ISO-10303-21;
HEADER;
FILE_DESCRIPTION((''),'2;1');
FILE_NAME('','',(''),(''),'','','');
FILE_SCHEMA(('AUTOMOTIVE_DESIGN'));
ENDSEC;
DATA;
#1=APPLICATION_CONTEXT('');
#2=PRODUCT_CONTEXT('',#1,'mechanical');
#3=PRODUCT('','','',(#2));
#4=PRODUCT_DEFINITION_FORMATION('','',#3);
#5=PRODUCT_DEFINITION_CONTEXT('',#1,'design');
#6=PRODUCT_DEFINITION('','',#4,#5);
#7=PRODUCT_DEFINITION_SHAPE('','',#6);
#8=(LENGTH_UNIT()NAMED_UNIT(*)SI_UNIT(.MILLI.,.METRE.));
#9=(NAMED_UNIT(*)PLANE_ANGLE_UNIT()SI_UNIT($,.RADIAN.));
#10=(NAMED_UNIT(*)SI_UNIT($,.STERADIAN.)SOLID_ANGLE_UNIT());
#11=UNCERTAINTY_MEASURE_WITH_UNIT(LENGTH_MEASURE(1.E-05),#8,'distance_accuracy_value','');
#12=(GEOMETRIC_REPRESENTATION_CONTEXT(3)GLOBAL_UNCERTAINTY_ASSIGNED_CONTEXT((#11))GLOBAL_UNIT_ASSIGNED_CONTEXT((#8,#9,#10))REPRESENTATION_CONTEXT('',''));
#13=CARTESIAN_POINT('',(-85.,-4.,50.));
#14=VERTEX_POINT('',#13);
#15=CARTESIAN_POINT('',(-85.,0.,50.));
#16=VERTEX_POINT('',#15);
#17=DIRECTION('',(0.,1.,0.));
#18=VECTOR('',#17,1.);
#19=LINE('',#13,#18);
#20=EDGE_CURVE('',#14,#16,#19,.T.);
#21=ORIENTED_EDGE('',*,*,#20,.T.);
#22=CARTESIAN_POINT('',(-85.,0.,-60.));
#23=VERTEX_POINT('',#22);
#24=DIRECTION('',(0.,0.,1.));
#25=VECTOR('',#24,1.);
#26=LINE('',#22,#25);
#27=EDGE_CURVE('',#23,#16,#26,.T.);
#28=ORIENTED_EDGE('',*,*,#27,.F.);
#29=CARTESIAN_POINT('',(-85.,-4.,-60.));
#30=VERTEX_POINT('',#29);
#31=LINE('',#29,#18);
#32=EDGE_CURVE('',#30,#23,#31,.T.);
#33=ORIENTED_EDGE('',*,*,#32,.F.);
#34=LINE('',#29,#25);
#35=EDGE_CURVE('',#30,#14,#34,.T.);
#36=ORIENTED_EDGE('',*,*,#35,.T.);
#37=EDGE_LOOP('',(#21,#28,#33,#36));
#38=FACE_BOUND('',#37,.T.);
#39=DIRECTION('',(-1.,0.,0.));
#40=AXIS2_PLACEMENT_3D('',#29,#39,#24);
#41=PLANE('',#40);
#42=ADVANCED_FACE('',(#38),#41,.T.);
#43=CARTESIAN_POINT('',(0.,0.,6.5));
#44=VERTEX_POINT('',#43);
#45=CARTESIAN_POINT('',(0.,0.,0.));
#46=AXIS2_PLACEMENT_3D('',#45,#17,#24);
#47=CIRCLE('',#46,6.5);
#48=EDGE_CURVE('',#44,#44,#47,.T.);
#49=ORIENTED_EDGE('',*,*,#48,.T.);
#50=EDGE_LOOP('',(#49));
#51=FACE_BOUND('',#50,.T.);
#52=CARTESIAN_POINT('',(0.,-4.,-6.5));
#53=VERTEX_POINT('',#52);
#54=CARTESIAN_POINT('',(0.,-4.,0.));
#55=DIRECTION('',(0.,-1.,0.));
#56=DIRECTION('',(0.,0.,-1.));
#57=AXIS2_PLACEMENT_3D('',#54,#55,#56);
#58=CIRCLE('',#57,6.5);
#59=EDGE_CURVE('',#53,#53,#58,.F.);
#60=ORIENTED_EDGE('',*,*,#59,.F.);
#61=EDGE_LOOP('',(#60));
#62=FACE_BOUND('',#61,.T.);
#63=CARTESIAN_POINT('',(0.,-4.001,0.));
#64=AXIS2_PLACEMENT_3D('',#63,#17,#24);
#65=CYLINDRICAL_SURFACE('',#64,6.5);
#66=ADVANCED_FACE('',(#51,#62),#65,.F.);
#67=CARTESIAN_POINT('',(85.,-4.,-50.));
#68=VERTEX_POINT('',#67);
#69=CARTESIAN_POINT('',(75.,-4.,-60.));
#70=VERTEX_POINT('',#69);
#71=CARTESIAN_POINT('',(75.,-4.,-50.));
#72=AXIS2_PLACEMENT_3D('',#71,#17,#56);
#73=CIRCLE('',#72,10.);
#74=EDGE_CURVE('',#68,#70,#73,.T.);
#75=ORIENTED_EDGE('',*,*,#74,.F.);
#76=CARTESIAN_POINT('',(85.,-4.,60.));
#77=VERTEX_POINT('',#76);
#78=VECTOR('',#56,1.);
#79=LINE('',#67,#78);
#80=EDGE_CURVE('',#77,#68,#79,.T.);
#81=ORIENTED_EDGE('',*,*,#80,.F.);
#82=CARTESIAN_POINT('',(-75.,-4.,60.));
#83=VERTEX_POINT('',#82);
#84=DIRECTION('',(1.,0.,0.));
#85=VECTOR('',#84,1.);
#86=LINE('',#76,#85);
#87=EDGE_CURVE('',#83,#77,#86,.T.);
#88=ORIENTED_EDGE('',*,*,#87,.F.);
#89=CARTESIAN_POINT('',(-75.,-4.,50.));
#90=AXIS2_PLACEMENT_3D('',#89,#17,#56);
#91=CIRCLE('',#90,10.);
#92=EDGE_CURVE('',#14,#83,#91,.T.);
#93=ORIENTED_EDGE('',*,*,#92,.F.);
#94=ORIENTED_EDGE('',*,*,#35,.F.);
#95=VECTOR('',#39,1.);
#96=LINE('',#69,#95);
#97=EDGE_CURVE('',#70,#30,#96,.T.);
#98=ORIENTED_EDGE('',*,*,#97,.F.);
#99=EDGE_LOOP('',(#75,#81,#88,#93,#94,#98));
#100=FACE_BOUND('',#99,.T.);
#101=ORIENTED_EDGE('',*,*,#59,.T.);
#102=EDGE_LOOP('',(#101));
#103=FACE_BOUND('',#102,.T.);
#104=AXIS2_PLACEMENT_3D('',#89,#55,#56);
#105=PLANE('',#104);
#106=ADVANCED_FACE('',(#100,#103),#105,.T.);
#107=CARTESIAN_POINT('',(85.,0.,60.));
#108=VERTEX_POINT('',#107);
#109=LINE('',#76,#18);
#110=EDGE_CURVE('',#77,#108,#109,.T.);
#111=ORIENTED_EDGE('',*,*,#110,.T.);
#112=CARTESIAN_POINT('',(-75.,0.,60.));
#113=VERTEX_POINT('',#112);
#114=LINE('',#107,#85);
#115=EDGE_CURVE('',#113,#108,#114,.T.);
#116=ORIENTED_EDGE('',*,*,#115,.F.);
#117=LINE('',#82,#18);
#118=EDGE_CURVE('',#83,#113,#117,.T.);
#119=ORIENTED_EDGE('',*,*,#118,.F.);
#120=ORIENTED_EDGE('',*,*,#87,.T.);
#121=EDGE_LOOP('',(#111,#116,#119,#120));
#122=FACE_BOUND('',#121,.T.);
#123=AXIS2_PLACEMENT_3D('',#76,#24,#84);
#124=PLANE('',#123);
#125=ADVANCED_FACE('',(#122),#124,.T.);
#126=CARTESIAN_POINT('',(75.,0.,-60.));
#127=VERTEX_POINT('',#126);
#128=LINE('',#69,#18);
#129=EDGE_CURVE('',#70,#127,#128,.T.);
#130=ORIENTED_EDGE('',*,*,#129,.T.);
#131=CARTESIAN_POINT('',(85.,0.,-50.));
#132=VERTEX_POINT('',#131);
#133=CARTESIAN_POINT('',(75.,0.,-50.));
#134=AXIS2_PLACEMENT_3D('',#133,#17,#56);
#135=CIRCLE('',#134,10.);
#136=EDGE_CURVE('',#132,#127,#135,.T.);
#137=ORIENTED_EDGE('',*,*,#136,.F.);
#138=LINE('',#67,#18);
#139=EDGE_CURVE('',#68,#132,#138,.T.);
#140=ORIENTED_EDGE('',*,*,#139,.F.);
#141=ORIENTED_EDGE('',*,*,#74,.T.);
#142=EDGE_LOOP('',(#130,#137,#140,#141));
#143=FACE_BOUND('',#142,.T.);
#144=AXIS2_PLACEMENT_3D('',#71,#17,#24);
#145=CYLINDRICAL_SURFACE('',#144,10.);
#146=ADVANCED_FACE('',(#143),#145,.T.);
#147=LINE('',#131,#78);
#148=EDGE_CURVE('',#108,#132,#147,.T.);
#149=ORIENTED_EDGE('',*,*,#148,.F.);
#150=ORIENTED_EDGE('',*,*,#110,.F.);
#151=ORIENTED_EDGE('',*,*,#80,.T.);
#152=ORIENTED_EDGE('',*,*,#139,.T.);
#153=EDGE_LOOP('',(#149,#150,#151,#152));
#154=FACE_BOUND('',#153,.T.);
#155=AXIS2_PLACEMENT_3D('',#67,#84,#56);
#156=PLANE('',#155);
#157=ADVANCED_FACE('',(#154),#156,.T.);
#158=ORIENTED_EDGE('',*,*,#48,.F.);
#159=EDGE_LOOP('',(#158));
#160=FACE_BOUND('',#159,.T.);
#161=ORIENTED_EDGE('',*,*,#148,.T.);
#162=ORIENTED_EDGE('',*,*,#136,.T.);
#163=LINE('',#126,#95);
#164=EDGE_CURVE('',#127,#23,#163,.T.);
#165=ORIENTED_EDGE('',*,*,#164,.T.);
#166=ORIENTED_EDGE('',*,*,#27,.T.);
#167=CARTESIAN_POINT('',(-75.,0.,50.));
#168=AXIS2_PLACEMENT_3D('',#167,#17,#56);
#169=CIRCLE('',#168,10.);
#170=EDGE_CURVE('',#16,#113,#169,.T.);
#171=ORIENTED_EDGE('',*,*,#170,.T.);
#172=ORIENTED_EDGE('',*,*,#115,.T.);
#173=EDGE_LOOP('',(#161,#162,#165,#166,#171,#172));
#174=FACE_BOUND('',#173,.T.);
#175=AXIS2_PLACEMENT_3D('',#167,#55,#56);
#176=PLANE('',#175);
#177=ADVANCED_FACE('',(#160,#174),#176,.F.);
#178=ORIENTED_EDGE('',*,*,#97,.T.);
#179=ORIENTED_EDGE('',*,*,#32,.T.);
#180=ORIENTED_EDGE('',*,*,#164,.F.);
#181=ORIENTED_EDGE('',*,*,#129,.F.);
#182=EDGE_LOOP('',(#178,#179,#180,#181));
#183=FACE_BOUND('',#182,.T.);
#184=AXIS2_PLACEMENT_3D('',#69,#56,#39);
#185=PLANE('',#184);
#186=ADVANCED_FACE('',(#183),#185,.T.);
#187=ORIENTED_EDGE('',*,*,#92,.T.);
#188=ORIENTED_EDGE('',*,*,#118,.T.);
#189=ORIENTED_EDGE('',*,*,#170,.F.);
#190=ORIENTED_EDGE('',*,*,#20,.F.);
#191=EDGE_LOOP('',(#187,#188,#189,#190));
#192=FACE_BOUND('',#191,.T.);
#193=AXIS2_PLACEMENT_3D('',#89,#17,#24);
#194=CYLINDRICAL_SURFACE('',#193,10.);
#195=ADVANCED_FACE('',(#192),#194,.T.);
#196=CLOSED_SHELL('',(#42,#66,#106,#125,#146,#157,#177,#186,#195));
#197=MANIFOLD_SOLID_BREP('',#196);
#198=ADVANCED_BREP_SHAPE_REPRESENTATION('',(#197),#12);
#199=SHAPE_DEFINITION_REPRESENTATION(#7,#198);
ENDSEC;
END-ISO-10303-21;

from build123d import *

# Parameters (mm, degrees)
BOSS_EXTRUDE1_DEPTH = 4
CUT_EXTRUDE1_REACH  = 106.12
SKETCH3_R           = 6.5


with BuildPart() as part:
    # Sketch2 → Boss-Extrude1 (new body)
    with BuildSketch(Plane(origin=(0, 0, 0), x_dir=(1, 0, 0), z_dir=(0, 1, 0))):
        with BuildLine():
            Line((75, 60), (-85, 60))
            Line((-85, 60), (-85, -50))
            ThreePointArc((-85, -50), (-82.071067812, -57.071067812), (-75, -60))
            Line((-75, -60), (85, -60))
            Line((85, -60), (85, 50))
            ThreePointArc((85, 50), (82.071067812, 57.071067812), (75, 60))
        make_face()
    extrude(amount=-BOSS_EXTRUDE1_DEPTH)

    # Sketch3 → Cut-Extrude1 (cut, up to next)
    with BuildSketch(Plane(origin=(0, 0, 0), x_dir=(1, 0, 0), z_dir=(0, 1, 0)), mode=Mode.PRIVATE) as cut_extrude1_sk1:
        with Locations(Location((0, 0, 0), (0, 0, 270))):
            Circle(SKETCH3_R)
    cut_extrude1_tool1 = extrude(cut_extrude1_sk1.sketch, amount=-CUT_EXTRUDE1_REACH, mode=Mode.PRIVATE) & part.part
    add(cut_extrude1_tool1.solids().sort_by_distance((0, 0, 0))[0], mode=Mode.SUBTRACT)


solid = part.part
